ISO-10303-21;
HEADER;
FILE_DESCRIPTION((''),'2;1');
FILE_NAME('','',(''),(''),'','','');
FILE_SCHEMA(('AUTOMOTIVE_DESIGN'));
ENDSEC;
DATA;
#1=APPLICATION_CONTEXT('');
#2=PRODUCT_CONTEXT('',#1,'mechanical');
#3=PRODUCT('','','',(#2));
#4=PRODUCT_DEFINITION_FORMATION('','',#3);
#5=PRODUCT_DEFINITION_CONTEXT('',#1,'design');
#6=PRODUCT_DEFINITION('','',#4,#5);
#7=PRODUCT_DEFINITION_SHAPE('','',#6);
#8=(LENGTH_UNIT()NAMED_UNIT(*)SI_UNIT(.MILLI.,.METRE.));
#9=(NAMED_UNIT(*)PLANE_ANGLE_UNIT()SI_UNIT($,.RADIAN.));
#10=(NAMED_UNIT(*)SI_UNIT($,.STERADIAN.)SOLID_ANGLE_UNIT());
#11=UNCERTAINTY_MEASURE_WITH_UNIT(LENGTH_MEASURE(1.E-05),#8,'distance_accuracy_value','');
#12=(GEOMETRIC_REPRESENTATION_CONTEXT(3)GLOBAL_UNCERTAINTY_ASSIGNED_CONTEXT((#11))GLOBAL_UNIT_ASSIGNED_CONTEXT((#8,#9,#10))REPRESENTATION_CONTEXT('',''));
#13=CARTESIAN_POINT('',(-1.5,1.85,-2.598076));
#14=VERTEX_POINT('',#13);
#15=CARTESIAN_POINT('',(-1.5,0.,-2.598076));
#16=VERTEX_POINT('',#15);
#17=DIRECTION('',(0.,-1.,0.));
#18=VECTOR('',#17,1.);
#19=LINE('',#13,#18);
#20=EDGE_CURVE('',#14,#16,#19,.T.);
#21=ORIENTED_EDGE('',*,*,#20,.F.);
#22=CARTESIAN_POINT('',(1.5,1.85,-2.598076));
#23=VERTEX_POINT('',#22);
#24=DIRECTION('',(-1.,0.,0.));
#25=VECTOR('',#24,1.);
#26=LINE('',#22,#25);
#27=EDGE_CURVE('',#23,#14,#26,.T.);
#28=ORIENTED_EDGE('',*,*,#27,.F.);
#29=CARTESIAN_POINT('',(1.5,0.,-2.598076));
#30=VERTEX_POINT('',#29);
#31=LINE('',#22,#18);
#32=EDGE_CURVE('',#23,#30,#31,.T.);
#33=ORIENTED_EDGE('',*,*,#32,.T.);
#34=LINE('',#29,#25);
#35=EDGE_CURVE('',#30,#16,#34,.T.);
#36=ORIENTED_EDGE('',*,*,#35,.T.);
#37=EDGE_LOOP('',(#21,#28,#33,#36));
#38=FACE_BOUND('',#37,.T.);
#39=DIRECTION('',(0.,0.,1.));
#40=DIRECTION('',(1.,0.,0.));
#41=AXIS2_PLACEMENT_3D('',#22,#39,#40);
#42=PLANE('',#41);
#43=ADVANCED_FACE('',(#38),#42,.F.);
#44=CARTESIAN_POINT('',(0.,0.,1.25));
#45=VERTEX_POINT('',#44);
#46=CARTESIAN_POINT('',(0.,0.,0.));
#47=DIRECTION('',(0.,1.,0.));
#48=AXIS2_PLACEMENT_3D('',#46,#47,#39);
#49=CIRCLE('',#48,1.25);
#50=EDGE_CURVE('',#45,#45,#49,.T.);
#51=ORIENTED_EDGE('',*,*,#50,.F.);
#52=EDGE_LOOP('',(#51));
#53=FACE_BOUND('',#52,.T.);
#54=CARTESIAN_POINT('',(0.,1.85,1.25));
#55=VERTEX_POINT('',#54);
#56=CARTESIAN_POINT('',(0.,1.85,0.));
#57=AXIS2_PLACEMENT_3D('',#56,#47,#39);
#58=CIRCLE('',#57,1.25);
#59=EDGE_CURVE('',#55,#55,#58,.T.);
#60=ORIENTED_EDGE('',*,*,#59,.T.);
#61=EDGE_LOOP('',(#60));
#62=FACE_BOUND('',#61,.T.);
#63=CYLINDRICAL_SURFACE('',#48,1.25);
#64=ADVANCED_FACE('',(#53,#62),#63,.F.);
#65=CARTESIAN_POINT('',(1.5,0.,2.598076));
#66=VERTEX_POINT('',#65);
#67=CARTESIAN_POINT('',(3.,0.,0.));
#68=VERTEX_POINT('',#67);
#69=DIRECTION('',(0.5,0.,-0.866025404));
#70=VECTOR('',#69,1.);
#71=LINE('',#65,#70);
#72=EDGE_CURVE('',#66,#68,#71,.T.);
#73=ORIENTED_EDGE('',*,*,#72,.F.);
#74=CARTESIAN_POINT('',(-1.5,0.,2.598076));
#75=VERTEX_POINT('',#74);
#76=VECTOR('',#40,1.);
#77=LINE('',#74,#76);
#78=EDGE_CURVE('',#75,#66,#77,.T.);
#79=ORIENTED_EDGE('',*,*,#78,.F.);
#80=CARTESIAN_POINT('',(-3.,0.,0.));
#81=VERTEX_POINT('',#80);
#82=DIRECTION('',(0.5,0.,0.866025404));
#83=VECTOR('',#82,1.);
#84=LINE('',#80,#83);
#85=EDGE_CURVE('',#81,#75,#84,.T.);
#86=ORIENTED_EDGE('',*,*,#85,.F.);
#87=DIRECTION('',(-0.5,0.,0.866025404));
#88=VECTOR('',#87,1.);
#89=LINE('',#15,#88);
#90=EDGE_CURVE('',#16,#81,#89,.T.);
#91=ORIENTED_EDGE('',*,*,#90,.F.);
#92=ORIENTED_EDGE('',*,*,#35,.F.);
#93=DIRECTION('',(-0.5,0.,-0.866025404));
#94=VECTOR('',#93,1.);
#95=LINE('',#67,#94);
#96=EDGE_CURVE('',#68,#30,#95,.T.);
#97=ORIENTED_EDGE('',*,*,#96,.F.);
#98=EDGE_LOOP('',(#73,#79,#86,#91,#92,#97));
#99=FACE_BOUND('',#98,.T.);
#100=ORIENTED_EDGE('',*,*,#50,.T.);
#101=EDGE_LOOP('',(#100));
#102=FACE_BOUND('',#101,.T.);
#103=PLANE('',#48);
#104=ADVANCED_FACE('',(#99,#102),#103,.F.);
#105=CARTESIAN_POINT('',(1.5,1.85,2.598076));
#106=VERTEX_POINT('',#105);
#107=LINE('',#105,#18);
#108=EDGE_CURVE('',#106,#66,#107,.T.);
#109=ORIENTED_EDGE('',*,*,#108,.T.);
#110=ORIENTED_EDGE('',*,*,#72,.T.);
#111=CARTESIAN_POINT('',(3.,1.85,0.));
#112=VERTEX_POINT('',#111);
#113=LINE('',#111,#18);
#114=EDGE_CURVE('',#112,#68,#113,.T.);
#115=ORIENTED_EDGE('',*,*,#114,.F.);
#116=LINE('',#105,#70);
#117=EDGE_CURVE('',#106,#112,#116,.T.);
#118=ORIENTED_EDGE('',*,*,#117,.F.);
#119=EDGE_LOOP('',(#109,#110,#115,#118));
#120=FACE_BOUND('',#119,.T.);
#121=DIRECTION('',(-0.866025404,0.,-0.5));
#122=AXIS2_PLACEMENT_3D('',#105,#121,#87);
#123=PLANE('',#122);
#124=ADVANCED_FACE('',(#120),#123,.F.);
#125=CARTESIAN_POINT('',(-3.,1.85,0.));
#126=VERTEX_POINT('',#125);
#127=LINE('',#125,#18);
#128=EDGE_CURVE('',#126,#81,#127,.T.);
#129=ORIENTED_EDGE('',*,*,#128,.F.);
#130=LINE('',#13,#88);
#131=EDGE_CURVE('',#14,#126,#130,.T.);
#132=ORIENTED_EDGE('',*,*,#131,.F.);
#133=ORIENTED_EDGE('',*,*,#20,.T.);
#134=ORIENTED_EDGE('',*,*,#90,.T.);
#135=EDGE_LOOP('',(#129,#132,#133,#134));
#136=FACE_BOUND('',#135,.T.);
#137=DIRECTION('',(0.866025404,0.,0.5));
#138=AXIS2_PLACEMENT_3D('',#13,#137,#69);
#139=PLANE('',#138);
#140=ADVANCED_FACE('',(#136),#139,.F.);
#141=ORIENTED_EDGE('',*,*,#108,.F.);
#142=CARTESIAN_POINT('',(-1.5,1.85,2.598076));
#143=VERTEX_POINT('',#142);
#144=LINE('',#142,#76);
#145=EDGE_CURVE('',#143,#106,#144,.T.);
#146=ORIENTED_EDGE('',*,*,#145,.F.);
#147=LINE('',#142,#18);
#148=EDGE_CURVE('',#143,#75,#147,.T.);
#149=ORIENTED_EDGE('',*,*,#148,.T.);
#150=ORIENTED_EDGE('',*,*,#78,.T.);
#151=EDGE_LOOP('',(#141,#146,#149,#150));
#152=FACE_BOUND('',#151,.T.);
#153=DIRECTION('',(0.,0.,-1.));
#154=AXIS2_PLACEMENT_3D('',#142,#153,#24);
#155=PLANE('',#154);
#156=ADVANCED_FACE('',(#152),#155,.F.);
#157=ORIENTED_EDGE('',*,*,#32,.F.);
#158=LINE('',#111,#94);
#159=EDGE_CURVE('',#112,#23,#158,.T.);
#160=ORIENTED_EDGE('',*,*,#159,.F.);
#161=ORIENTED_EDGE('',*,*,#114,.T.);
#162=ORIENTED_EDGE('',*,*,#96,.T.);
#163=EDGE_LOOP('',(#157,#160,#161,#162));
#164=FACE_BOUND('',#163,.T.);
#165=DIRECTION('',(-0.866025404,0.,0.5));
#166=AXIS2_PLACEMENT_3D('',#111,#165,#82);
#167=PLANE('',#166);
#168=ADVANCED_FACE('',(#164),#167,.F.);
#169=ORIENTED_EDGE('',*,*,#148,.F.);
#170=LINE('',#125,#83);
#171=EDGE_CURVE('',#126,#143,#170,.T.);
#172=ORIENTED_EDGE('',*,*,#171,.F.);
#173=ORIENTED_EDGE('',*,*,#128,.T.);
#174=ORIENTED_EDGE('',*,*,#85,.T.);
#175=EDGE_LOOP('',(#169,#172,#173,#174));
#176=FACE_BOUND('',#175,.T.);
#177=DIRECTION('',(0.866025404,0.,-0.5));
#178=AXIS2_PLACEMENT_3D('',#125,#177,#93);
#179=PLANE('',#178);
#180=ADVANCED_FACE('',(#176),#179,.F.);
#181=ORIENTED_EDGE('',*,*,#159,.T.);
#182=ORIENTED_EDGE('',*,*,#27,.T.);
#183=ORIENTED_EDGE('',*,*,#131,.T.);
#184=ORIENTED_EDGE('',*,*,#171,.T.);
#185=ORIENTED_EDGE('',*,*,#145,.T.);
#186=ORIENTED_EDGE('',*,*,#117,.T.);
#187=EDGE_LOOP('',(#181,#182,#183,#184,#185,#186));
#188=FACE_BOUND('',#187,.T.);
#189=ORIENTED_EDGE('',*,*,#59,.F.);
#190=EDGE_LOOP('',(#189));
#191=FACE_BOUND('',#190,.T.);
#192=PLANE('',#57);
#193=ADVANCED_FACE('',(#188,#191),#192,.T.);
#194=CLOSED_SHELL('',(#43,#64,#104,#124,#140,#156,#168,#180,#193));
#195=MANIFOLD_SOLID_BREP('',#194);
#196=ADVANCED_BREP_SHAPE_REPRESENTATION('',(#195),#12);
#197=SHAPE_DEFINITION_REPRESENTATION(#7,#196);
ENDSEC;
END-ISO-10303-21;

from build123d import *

# Parameters (mm, degrees)
BOSS_EXTRUDE1_DEPTH = 1.85
SKETCH2_R           = 1.25
CUT_EXTRUDE1_DEPTH  = 1.85


with BuildPart() as part:
    # Sketch1 → Boss-Extrude1 (new body)
    with BuildSketch(Plane(origin=(0, 0, 0), x_dir=(1, 0, 0), z_dir=(0, 1, 0))):
        Polygon((3, 0), (1.5, 2.598076211), (-1.5, 2.598076211), (-3, 0), (-1.5, -2.598076211), (1.5, -2.598076211), align=None)
    extrude(amount=BOSS_EXTRUDE1_DEPTH)

    # Sketch2 → Cut-Extrude1 (cut)
    with BuildSketch(Plane(origin=(0, 1.85, 0), x_dir=(1, 0, 0), z_dir=(0, 1, 0))):
        Circle(SKETCH2_R)
    extrude(amount=-CUT_EXTRUDE1_DEPTH, mode=Mode.SUBTRACT)


solid = part.part
